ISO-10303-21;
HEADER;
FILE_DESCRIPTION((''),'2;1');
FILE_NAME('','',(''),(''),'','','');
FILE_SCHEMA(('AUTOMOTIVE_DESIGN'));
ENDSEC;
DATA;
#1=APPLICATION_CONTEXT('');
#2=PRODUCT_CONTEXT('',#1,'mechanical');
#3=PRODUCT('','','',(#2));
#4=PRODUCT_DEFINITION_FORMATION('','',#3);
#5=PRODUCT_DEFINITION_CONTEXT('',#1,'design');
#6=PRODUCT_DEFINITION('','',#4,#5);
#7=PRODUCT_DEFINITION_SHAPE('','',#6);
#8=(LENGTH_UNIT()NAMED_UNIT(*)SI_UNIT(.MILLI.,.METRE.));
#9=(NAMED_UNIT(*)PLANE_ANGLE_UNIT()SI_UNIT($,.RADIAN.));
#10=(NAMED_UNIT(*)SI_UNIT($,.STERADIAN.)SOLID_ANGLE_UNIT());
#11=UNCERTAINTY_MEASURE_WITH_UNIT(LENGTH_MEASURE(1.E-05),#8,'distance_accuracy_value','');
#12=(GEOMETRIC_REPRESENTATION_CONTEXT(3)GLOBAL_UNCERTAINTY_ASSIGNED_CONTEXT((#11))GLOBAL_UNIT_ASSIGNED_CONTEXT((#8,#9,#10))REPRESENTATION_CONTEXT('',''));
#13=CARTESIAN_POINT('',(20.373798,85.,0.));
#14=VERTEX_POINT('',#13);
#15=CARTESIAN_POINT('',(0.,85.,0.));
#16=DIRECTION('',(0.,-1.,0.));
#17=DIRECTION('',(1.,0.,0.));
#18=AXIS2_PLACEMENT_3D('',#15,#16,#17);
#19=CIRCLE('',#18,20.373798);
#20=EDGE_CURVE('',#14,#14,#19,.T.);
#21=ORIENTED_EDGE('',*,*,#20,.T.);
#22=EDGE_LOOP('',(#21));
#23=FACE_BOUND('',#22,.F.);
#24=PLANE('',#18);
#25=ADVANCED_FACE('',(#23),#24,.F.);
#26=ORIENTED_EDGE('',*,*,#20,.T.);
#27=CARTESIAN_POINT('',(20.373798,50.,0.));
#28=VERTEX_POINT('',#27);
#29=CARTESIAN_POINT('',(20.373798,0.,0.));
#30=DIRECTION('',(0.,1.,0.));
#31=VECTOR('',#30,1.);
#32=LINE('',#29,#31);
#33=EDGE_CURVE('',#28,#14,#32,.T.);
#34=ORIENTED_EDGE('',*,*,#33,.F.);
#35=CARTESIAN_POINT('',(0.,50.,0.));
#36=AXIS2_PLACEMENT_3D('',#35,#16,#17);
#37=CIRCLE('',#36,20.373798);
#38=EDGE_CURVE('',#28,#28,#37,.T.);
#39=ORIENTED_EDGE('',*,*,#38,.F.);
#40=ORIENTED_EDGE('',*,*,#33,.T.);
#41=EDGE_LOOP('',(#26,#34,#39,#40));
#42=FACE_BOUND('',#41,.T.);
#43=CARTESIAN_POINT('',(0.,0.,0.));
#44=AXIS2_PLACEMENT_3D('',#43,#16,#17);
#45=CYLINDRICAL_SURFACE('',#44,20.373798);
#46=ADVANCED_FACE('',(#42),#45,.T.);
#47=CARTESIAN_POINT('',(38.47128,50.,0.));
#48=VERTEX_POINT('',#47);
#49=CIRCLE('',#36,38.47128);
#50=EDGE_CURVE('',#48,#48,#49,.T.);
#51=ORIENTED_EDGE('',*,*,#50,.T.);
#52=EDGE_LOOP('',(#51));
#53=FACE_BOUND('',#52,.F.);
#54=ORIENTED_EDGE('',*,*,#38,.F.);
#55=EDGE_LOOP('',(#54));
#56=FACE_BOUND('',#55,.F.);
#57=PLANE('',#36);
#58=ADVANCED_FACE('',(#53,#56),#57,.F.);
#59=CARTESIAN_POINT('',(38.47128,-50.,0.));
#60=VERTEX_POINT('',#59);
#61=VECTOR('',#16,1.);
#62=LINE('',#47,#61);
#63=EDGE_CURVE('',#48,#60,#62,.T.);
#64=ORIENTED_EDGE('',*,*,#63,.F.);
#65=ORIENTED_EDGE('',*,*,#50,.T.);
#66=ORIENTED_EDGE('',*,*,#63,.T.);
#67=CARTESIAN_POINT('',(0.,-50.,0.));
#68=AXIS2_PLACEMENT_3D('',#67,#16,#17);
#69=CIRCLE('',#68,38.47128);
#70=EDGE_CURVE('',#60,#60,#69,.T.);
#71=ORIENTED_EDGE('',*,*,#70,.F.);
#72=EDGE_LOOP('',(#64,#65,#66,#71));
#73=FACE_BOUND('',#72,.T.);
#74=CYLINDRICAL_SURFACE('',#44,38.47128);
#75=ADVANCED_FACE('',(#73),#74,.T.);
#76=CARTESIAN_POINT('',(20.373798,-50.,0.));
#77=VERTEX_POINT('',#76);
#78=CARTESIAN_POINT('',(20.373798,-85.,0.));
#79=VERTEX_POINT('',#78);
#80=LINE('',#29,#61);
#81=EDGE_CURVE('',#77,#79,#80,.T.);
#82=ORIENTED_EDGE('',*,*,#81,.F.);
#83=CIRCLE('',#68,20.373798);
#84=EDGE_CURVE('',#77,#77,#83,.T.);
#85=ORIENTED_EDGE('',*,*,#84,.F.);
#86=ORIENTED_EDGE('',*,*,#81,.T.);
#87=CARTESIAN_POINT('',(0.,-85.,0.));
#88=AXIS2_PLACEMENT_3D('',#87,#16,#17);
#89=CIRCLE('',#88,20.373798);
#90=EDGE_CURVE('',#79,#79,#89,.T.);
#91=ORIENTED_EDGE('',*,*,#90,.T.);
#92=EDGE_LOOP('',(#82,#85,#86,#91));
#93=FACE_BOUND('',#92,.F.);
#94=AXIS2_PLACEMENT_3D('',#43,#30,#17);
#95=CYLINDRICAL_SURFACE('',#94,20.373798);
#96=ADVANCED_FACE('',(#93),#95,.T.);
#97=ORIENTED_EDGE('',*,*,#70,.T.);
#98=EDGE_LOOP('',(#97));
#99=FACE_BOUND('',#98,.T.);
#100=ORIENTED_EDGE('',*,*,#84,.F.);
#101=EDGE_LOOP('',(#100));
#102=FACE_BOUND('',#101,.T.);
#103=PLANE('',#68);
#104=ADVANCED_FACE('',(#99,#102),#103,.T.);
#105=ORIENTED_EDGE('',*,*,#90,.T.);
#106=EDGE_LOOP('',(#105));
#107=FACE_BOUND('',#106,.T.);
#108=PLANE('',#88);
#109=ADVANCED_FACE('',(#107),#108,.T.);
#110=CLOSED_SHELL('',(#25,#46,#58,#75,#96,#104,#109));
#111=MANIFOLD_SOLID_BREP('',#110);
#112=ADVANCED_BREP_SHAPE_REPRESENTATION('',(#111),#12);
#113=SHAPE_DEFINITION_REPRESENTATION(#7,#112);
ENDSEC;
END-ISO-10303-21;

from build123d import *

# Parameters (mm, degrees)
F0_R     = 38.47128
F0_R_2   = 20.373798
F1_DEPTH = 50
F2_DEPTH = 85
F3_DEPTH = 85
F4_DEPTH = 50


with BuildPart() as f1:
    # F0 (on Front) → F1 (new body)
    with BuildSketch(Plane.XZ):
        Circle(F0_R)
        Circle(F0_R_2, mode=Mode.SUBTRACT)
    extrude(amount=F1_DEPTH)

    # F0 (on Front) → F2 (join)
    with BuildSketch(Plane.XZ):
        Circle(F0_R_2)
    extrude(amount=F2_DEPTH)

    # F0 (on Front) → F3 (join)
    with BuildSketch(Plane.XZ):
        Circle(F0_R_2)
    extrude(amount=-F3_DEPTH)

    # F0 (on Front) → F4 (join)
    with BuildSketch(Plane.XZ):
        Circle(F0_R)
        Circle(F0_R_2, mode=Mode.SUBTRACT)
    extrude(amount=-F4_DEPTH)


solid = f1.part
